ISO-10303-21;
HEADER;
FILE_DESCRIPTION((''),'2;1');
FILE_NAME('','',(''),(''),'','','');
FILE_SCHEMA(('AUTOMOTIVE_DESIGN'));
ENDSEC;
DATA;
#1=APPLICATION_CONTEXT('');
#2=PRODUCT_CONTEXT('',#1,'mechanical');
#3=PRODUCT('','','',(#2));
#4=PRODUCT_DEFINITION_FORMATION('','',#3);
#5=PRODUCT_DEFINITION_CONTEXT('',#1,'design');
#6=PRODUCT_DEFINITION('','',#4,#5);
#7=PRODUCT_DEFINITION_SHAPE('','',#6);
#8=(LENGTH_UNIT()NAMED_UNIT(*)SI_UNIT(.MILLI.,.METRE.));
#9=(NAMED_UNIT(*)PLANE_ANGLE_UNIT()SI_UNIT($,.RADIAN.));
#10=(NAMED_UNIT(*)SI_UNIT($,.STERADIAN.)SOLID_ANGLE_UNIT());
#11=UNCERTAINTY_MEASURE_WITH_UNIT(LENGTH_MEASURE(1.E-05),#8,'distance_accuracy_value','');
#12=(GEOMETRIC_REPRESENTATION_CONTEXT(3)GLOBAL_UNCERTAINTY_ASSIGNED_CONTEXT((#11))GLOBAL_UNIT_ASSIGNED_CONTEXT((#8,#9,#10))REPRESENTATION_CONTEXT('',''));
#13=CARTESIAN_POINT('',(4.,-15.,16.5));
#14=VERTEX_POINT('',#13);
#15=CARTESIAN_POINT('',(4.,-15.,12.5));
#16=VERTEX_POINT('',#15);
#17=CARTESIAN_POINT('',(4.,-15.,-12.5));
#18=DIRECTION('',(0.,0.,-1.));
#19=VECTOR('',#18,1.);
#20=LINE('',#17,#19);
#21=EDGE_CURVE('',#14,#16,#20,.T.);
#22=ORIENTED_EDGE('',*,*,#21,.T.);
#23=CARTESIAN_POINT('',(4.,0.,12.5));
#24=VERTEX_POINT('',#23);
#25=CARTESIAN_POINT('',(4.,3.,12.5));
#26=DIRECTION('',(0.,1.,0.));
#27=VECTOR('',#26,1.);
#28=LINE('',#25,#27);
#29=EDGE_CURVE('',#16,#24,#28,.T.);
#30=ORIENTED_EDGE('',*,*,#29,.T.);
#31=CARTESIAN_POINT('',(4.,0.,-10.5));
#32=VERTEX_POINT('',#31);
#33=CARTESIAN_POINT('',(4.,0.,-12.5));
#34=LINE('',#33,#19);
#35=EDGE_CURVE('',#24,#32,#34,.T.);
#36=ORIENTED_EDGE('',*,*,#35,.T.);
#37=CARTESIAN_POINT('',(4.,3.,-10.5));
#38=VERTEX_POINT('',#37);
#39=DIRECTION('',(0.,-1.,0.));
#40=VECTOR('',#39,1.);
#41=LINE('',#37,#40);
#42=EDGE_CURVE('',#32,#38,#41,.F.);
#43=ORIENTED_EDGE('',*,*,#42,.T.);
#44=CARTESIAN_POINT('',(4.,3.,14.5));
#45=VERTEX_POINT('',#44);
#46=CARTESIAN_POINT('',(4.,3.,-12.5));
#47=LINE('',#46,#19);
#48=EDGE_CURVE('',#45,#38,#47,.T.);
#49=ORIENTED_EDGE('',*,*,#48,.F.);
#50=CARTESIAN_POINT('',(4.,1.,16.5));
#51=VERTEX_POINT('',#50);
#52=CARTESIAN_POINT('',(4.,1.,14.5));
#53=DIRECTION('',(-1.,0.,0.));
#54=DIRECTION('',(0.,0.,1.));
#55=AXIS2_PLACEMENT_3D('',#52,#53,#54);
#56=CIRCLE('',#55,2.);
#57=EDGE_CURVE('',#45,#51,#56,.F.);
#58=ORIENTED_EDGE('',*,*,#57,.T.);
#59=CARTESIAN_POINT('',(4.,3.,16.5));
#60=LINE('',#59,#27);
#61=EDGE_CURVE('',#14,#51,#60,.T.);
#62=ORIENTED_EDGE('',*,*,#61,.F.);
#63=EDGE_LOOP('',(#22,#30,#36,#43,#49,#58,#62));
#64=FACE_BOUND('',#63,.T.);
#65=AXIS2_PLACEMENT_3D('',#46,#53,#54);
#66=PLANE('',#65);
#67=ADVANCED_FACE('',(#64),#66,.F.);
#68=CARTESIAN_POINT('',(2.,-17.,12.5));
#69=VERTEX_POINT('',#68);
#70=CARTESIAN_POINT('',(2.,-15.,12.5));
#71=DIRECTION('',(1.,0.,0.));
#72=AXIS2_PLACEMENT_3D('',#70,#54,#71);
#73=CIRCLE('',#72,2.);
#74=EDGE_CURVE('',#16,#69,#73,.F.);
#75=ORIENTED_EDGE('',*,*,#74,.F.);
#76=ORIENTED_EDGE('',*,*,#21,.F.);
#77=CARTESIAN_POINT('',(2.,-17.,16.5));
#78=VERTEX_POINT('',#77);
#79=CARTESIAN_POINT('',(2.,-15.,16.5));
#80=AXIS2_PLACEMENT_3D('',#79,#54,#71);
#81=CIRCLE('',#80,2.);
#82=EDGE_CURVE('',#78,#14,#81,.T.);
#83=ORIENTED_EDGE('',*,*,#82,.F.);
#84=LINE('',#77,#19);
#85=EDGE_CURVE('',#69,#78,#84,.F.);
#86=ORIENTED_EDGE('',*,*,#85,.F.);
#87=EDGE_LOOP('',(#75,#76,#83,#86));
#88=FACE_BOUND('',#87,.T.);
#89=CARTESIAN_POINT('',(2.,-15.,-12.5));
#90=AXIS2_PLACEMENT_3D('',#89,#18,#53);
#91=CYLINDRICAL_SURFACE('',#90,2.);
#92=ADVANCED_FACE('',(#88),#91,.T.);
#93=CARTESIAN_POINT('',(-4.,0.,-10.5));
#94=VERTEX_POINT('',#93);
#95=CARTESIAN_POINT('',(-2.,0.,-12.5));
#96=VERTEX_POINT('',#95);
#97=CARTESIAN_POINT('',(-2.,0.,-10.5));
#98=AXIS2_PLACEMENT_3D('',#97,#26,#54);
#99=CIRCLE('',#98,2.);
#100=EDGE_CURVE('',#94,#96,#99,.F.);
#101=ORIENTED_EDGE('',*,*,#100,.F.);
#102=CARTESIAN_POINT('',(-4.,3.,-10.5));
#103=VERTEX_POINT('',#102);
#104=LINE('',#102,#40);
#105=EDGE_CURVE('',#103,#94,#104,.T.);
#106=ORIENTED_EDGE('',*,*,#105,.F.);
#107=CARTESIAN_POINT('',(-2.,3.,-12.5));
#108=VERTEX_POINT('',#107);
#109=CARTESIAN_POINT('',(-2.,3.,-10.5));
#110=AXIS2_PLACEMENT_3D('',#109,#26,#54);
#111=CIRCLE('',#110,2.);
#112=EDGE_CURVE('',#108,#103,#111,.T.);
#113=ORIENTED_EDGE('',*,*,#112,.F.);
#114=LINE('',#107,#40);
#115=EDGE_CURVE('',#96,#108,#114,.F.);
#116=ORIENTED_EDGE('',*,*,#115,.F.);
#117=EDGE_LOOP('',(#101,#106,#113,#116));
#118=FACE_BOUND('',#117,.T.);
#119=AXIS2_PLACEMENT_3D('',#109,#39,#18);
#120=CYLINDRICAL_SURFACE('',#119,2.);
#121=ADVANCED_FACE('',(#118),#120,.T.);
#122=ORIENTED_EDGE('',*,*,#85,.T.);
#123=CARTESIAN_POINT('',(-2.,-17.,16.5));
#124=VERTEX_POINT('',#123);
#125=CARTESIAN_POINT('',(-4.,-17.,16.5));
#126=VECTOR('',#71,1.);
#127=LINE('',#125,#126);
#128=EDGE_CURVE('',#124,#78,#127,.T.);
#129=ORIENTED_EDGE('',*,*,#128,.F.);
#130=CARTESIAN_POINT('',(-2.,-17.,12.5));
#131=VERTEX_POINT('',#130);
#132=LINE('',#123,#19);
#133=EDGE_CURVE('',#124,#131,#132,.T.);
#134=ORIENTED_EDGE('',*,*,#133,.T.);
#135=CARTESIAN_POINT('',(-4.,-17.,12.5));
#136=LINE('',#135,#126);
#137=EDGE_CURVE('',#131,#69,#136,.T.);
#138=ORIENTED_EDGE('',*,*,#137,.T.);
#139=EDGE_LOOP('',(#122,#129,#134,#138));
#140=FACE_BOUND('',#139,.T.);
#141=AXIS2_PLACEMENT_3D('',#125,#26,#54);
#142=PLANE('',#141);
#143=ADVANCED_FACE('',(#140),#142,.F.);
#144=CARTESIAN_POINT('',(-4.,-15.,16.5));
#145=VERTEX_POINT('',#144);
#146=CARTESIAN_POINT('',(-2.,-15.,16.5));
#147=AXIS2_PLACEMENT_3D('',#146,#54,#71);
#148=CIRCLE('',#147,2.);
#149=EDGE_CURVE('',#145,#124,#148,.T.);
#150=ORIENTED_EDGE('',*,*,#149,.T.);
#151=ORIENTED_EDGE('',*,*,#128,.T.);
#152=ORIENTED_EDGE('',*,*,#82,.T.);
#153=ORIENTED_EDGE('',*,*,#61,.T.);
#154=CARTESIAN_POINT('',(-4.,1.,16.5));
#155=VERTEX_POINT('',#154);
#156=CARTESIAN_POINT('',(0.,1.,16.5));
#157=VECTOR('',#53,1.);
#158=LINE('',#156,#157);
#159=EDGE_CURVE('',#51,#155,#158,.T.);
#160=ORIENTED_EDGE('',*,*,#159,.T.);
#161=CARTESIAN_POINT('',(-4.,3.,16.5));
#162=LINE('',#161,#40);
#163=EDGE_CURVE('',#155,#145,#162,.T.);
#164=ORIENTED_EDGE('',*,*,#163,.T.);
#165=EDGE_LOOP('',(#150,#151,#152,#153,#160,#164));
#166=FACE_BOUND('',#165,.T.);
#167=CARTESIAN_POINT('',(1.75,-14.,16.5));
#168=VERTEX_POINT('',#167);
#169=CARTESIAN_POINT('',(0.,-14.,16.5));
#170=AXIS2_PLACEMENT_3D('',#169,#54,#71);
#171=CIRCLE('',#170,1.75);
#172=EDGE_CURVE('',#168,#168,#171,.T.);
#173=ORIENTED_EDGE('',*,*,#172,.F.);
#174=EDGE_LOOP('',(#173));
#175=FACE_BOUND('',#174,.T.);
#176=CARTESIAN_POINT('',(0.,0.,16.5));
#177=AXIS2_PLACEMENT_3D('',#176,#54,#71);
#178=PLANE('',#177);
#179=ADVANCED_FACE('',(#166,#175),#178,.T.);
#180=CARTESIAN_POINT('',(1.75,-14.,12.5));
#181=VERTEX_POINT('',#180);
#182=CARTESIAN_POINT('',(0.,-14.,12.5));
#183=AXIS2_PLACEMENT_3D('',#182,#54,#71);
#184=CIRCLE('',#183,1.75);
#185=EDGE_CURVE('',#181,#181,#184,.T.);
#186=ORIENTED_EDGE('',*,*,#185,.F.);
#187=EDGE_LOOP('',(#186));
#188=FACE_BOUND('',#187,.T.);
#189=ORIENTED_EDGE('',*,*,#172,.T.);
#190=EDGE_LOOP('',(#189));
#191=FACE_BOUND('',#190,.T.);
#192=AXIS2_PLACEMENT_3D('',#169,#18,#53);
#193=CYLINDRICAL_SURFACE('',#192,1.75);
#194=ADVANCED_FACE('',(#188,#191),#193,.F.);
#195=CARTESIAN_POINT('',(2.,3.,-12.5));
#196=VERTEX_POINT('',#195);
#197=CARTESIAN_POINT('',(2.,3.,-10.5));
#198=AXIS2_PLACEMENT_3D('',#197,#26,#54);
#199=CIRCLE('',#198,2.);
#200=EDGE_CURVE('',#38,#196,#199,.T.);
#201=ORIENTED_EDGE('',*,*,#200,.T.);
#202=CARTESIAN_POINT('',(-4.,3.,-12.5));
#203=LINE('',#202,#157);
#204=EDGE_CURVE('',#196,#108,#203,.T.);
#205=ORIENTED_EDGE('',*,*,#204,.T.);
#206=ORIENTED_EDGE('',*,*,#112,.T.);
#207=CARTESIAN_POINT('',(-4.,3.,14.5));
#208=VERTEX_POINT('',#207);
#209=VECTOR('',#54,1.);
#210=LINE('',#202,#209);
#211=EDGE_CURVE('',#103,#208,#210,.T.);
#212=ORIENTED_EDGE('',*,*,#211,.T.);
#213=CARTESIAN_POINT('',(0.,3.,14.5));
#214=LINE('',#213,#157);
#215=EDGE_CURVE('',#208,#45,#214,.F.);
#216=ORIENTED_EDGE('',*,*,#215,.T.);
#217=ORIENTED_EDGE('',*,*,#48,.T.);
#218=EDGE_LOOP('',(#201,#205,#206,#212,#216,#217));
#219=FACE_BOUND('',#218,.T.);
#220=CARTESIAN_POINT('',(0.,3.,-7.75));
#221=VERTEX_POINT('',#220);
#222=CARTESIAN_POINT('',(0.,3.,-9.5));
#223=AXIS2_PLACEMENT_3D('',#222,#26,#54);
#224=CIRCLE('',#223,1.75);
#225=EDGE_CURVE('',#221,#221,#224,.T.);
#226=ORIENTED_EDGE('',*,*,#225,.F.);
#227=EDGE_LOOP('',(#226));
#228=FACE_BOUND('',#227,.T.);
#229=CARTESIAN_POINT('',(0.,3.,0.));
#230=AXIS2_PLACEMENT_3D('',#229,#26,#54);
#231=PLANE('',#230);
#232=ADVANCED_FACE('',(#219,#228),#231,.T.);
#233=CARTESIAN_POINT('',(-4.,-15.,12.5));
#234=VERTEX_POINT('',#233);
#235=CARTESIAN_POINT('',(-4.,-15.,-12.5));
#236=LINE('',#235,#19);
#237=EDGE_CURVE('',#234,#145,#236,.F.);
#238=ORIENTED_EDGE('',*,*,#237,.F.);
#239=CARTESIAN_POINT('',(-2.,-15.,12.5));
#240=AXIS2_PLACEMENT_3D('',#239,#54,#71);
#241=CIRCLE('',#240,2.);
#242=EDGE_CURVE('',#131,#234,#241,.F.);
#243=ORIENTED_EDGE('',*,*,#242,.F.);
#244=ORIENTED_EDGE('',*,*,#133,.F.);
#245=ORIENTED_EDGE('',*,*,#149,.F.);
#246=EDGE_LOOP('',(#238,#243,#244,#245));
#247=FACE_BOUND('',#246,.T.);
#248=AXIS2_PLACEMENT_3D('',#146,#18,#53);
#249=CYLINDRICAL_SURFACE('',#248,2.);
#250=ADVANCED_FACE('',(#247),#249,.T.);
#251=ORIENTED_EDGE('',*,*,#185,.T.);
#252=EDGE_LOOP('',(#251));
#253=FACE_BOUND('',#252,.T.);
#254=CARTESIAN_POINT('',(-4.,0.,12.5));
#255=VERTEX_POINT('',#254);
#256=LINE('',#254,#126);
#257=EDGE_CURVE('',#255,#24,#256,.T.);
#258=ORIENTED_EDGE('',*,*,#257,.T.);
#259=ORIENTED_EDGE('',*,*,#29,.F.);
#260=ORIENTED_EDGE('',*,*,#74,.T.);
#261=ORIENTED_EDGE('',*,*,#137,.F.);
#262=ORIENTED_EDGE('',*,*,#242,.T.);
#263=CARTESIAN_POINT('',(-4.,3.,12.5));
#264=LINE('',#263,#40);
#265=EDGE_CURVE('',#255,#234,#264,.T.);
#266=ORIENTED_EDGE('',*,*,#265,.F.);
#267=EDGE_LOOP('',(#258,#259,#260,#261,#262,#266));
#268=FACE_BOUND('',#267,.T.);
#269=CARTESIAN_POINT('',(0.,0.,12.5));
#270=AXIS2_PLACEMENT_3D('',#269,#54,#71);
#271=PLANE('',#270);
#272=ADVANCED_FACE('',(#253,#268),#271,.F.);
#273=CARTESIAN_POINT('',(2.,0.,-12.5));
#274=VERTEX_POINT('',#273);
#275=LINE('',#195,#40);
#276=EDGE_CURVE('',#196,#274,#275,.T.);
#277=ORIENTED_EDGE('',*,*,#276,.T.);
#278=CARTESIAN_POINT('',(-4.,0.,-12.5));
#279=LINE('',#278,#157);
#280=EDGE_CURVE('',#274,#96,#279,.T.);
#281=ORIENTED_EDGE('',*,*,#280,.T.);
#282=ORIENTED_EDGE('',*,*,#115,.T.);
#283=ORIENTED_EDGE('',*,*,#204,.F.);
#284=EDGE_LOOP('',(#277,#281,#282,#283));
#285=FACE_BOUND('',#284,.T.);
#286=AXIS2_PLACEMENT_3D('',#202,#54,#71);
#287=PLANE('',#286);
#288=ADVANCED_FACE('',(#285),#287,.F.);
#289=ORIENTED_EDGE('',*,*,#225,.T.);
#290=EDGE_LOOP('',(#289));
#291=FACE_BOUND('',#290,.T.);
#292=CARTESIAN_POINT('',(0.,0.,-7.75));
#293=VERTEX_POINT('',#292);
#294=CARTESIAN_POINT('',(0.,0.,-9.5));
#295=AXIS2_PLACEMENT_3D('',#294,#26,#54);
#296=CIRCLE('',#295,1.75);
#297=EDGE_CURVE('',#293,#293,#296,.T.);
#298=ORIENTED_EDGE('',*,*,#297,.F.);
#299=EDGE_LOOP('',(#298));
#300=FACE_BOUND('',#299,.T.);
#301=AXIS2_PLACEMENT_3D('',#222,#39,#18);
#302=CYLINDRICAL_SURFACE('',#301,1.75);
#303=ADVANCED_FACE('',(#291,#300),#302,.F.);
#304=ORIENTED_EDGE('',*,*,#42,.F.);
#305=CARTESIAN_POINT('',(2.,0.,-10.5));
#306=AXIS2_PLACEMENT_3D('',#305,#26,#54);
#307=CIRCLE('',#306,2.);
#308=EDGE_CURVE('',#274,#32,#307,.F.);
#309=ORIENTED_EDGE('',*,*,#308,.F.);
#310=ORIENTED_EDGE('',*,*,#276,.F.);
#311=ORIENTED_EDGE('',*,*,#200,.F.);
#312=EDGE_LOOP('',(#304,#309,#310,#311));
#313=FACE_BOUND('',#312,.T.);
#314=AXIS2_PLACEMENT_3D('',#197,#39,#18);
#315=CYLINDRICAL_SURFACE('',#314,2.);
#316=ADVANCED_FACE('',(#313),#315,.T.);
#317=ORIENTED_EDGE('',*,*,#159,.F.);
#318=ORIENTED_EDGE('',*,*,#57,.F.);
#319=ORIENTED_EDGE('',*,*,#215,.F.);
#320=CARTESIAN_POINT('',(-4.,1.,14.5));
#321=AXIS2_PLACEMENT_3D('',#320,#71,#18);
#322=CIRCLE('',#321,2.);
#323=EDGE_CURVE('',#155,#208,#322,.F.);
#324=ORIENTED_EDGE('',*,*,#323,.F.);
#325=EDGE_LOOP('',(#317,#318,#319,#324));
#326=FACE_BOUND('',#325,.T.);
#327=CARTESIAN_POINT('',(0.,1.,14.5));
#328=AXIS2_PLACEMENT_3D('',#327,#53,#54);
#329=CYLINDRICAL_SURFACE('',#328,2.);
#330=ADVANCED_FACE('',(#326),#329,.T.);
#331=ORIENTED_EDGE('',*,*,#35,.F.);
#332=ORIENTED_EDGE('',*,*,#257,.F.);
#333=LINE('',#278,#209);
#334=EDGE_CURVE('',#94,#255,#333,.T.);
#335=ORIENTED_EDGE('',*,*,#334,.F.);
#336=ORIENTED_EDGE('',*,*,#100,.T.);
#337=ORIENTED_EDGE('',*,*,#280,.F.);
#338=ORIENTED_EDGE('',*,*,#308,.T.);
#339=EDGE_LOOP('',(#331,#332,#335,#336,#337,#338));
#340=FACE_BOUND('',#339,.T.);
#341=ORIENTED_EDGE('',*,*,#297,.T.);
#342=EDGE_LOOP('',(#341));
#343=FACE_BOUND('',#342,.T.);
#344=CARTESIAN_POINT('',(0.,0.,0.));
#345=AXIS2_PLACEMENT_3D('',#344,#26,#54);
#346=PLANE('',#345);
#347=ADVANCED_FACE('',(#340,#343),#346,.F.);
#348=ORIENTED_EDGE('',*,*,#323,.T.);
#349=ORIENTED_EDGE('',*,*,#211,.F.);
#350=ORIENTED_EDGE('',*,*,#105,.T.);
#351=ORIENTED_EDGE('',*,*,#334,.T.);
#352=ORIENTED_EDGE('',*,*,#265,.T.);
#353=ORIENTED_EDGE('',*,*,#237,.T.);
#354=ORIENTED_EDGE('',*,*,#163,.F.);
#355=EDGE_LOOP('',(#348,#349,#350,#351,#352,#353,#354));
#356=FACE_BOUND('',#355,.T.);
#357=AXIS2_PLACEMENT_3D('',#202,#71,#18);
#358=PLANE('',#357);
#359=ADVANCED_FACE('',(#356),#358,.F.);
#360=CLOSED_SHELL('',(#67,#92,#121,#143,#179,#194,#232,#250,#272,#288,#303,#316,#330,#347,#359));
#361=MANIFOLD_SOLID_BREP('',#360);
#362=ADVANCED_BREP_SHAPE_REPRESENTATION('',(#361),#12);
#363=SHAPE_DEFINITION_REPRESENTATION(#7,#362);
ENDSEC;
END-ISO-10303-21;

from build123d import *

# Parameters (mm, degrees)
ESQUISSE1_W        = 8
ESQUISSE1_H        = 25
ESQUISSE1_R        = 1.75
BOSS_EXTRU_1_DEPTH = 3
ESQUISSE2_W        = 8
ESQUISSE2_H        = 20
ESQUISSE2_R        = 1.75
BOSS_EXTRU_2_DEPTH = 4
CONG_1_R           = 2


with BuildPart() as part:
    # Esquisse1 → Boss.-Extru.1 (new body)
    with BuildSketch(Plane(origin=(0, 0, 0), x_dir=(1, 0, 0), z_dir=(0, 1, 0))):
        Rectangle(ESQUISSE1_W, ESQUISSE1_H)
        with Locations((0, 9.5)):
            Circle(ESQUISSE1_R, mode=Mode.SUBTRACT)
    extrude(amount=BOSS_EXTRU_1_DEPTH)

    # Esquisse2 → Boss.-Extru.2 (add)
    with BuildSketch(Plane.XY.offset(12.5)):
        with Locations((0, -7)):
            Rectangle(ESQUISSE2_W, ESQUISSE2_H)
        with Locations((0, -14)):
            Circle(ESQUISSE2_R, mode=Mode.SUBTRACT)
    extrude(amount=BOSS_EXTRU_2_DEPTH)

    # Congé1
    cong_1_edges = [part.edges().sort_by_distance(p)[0] for p in [
        (0, 3, 16.5),
        (-4, -17, 14.5),
        (4, -17, 14.5),
        (-4, 1.5, -12.5),
        (4, 1.5, -12.5),
    ]]
    fillet(cong_1_edges, radius=CONG_1_R)


solid = part.part
